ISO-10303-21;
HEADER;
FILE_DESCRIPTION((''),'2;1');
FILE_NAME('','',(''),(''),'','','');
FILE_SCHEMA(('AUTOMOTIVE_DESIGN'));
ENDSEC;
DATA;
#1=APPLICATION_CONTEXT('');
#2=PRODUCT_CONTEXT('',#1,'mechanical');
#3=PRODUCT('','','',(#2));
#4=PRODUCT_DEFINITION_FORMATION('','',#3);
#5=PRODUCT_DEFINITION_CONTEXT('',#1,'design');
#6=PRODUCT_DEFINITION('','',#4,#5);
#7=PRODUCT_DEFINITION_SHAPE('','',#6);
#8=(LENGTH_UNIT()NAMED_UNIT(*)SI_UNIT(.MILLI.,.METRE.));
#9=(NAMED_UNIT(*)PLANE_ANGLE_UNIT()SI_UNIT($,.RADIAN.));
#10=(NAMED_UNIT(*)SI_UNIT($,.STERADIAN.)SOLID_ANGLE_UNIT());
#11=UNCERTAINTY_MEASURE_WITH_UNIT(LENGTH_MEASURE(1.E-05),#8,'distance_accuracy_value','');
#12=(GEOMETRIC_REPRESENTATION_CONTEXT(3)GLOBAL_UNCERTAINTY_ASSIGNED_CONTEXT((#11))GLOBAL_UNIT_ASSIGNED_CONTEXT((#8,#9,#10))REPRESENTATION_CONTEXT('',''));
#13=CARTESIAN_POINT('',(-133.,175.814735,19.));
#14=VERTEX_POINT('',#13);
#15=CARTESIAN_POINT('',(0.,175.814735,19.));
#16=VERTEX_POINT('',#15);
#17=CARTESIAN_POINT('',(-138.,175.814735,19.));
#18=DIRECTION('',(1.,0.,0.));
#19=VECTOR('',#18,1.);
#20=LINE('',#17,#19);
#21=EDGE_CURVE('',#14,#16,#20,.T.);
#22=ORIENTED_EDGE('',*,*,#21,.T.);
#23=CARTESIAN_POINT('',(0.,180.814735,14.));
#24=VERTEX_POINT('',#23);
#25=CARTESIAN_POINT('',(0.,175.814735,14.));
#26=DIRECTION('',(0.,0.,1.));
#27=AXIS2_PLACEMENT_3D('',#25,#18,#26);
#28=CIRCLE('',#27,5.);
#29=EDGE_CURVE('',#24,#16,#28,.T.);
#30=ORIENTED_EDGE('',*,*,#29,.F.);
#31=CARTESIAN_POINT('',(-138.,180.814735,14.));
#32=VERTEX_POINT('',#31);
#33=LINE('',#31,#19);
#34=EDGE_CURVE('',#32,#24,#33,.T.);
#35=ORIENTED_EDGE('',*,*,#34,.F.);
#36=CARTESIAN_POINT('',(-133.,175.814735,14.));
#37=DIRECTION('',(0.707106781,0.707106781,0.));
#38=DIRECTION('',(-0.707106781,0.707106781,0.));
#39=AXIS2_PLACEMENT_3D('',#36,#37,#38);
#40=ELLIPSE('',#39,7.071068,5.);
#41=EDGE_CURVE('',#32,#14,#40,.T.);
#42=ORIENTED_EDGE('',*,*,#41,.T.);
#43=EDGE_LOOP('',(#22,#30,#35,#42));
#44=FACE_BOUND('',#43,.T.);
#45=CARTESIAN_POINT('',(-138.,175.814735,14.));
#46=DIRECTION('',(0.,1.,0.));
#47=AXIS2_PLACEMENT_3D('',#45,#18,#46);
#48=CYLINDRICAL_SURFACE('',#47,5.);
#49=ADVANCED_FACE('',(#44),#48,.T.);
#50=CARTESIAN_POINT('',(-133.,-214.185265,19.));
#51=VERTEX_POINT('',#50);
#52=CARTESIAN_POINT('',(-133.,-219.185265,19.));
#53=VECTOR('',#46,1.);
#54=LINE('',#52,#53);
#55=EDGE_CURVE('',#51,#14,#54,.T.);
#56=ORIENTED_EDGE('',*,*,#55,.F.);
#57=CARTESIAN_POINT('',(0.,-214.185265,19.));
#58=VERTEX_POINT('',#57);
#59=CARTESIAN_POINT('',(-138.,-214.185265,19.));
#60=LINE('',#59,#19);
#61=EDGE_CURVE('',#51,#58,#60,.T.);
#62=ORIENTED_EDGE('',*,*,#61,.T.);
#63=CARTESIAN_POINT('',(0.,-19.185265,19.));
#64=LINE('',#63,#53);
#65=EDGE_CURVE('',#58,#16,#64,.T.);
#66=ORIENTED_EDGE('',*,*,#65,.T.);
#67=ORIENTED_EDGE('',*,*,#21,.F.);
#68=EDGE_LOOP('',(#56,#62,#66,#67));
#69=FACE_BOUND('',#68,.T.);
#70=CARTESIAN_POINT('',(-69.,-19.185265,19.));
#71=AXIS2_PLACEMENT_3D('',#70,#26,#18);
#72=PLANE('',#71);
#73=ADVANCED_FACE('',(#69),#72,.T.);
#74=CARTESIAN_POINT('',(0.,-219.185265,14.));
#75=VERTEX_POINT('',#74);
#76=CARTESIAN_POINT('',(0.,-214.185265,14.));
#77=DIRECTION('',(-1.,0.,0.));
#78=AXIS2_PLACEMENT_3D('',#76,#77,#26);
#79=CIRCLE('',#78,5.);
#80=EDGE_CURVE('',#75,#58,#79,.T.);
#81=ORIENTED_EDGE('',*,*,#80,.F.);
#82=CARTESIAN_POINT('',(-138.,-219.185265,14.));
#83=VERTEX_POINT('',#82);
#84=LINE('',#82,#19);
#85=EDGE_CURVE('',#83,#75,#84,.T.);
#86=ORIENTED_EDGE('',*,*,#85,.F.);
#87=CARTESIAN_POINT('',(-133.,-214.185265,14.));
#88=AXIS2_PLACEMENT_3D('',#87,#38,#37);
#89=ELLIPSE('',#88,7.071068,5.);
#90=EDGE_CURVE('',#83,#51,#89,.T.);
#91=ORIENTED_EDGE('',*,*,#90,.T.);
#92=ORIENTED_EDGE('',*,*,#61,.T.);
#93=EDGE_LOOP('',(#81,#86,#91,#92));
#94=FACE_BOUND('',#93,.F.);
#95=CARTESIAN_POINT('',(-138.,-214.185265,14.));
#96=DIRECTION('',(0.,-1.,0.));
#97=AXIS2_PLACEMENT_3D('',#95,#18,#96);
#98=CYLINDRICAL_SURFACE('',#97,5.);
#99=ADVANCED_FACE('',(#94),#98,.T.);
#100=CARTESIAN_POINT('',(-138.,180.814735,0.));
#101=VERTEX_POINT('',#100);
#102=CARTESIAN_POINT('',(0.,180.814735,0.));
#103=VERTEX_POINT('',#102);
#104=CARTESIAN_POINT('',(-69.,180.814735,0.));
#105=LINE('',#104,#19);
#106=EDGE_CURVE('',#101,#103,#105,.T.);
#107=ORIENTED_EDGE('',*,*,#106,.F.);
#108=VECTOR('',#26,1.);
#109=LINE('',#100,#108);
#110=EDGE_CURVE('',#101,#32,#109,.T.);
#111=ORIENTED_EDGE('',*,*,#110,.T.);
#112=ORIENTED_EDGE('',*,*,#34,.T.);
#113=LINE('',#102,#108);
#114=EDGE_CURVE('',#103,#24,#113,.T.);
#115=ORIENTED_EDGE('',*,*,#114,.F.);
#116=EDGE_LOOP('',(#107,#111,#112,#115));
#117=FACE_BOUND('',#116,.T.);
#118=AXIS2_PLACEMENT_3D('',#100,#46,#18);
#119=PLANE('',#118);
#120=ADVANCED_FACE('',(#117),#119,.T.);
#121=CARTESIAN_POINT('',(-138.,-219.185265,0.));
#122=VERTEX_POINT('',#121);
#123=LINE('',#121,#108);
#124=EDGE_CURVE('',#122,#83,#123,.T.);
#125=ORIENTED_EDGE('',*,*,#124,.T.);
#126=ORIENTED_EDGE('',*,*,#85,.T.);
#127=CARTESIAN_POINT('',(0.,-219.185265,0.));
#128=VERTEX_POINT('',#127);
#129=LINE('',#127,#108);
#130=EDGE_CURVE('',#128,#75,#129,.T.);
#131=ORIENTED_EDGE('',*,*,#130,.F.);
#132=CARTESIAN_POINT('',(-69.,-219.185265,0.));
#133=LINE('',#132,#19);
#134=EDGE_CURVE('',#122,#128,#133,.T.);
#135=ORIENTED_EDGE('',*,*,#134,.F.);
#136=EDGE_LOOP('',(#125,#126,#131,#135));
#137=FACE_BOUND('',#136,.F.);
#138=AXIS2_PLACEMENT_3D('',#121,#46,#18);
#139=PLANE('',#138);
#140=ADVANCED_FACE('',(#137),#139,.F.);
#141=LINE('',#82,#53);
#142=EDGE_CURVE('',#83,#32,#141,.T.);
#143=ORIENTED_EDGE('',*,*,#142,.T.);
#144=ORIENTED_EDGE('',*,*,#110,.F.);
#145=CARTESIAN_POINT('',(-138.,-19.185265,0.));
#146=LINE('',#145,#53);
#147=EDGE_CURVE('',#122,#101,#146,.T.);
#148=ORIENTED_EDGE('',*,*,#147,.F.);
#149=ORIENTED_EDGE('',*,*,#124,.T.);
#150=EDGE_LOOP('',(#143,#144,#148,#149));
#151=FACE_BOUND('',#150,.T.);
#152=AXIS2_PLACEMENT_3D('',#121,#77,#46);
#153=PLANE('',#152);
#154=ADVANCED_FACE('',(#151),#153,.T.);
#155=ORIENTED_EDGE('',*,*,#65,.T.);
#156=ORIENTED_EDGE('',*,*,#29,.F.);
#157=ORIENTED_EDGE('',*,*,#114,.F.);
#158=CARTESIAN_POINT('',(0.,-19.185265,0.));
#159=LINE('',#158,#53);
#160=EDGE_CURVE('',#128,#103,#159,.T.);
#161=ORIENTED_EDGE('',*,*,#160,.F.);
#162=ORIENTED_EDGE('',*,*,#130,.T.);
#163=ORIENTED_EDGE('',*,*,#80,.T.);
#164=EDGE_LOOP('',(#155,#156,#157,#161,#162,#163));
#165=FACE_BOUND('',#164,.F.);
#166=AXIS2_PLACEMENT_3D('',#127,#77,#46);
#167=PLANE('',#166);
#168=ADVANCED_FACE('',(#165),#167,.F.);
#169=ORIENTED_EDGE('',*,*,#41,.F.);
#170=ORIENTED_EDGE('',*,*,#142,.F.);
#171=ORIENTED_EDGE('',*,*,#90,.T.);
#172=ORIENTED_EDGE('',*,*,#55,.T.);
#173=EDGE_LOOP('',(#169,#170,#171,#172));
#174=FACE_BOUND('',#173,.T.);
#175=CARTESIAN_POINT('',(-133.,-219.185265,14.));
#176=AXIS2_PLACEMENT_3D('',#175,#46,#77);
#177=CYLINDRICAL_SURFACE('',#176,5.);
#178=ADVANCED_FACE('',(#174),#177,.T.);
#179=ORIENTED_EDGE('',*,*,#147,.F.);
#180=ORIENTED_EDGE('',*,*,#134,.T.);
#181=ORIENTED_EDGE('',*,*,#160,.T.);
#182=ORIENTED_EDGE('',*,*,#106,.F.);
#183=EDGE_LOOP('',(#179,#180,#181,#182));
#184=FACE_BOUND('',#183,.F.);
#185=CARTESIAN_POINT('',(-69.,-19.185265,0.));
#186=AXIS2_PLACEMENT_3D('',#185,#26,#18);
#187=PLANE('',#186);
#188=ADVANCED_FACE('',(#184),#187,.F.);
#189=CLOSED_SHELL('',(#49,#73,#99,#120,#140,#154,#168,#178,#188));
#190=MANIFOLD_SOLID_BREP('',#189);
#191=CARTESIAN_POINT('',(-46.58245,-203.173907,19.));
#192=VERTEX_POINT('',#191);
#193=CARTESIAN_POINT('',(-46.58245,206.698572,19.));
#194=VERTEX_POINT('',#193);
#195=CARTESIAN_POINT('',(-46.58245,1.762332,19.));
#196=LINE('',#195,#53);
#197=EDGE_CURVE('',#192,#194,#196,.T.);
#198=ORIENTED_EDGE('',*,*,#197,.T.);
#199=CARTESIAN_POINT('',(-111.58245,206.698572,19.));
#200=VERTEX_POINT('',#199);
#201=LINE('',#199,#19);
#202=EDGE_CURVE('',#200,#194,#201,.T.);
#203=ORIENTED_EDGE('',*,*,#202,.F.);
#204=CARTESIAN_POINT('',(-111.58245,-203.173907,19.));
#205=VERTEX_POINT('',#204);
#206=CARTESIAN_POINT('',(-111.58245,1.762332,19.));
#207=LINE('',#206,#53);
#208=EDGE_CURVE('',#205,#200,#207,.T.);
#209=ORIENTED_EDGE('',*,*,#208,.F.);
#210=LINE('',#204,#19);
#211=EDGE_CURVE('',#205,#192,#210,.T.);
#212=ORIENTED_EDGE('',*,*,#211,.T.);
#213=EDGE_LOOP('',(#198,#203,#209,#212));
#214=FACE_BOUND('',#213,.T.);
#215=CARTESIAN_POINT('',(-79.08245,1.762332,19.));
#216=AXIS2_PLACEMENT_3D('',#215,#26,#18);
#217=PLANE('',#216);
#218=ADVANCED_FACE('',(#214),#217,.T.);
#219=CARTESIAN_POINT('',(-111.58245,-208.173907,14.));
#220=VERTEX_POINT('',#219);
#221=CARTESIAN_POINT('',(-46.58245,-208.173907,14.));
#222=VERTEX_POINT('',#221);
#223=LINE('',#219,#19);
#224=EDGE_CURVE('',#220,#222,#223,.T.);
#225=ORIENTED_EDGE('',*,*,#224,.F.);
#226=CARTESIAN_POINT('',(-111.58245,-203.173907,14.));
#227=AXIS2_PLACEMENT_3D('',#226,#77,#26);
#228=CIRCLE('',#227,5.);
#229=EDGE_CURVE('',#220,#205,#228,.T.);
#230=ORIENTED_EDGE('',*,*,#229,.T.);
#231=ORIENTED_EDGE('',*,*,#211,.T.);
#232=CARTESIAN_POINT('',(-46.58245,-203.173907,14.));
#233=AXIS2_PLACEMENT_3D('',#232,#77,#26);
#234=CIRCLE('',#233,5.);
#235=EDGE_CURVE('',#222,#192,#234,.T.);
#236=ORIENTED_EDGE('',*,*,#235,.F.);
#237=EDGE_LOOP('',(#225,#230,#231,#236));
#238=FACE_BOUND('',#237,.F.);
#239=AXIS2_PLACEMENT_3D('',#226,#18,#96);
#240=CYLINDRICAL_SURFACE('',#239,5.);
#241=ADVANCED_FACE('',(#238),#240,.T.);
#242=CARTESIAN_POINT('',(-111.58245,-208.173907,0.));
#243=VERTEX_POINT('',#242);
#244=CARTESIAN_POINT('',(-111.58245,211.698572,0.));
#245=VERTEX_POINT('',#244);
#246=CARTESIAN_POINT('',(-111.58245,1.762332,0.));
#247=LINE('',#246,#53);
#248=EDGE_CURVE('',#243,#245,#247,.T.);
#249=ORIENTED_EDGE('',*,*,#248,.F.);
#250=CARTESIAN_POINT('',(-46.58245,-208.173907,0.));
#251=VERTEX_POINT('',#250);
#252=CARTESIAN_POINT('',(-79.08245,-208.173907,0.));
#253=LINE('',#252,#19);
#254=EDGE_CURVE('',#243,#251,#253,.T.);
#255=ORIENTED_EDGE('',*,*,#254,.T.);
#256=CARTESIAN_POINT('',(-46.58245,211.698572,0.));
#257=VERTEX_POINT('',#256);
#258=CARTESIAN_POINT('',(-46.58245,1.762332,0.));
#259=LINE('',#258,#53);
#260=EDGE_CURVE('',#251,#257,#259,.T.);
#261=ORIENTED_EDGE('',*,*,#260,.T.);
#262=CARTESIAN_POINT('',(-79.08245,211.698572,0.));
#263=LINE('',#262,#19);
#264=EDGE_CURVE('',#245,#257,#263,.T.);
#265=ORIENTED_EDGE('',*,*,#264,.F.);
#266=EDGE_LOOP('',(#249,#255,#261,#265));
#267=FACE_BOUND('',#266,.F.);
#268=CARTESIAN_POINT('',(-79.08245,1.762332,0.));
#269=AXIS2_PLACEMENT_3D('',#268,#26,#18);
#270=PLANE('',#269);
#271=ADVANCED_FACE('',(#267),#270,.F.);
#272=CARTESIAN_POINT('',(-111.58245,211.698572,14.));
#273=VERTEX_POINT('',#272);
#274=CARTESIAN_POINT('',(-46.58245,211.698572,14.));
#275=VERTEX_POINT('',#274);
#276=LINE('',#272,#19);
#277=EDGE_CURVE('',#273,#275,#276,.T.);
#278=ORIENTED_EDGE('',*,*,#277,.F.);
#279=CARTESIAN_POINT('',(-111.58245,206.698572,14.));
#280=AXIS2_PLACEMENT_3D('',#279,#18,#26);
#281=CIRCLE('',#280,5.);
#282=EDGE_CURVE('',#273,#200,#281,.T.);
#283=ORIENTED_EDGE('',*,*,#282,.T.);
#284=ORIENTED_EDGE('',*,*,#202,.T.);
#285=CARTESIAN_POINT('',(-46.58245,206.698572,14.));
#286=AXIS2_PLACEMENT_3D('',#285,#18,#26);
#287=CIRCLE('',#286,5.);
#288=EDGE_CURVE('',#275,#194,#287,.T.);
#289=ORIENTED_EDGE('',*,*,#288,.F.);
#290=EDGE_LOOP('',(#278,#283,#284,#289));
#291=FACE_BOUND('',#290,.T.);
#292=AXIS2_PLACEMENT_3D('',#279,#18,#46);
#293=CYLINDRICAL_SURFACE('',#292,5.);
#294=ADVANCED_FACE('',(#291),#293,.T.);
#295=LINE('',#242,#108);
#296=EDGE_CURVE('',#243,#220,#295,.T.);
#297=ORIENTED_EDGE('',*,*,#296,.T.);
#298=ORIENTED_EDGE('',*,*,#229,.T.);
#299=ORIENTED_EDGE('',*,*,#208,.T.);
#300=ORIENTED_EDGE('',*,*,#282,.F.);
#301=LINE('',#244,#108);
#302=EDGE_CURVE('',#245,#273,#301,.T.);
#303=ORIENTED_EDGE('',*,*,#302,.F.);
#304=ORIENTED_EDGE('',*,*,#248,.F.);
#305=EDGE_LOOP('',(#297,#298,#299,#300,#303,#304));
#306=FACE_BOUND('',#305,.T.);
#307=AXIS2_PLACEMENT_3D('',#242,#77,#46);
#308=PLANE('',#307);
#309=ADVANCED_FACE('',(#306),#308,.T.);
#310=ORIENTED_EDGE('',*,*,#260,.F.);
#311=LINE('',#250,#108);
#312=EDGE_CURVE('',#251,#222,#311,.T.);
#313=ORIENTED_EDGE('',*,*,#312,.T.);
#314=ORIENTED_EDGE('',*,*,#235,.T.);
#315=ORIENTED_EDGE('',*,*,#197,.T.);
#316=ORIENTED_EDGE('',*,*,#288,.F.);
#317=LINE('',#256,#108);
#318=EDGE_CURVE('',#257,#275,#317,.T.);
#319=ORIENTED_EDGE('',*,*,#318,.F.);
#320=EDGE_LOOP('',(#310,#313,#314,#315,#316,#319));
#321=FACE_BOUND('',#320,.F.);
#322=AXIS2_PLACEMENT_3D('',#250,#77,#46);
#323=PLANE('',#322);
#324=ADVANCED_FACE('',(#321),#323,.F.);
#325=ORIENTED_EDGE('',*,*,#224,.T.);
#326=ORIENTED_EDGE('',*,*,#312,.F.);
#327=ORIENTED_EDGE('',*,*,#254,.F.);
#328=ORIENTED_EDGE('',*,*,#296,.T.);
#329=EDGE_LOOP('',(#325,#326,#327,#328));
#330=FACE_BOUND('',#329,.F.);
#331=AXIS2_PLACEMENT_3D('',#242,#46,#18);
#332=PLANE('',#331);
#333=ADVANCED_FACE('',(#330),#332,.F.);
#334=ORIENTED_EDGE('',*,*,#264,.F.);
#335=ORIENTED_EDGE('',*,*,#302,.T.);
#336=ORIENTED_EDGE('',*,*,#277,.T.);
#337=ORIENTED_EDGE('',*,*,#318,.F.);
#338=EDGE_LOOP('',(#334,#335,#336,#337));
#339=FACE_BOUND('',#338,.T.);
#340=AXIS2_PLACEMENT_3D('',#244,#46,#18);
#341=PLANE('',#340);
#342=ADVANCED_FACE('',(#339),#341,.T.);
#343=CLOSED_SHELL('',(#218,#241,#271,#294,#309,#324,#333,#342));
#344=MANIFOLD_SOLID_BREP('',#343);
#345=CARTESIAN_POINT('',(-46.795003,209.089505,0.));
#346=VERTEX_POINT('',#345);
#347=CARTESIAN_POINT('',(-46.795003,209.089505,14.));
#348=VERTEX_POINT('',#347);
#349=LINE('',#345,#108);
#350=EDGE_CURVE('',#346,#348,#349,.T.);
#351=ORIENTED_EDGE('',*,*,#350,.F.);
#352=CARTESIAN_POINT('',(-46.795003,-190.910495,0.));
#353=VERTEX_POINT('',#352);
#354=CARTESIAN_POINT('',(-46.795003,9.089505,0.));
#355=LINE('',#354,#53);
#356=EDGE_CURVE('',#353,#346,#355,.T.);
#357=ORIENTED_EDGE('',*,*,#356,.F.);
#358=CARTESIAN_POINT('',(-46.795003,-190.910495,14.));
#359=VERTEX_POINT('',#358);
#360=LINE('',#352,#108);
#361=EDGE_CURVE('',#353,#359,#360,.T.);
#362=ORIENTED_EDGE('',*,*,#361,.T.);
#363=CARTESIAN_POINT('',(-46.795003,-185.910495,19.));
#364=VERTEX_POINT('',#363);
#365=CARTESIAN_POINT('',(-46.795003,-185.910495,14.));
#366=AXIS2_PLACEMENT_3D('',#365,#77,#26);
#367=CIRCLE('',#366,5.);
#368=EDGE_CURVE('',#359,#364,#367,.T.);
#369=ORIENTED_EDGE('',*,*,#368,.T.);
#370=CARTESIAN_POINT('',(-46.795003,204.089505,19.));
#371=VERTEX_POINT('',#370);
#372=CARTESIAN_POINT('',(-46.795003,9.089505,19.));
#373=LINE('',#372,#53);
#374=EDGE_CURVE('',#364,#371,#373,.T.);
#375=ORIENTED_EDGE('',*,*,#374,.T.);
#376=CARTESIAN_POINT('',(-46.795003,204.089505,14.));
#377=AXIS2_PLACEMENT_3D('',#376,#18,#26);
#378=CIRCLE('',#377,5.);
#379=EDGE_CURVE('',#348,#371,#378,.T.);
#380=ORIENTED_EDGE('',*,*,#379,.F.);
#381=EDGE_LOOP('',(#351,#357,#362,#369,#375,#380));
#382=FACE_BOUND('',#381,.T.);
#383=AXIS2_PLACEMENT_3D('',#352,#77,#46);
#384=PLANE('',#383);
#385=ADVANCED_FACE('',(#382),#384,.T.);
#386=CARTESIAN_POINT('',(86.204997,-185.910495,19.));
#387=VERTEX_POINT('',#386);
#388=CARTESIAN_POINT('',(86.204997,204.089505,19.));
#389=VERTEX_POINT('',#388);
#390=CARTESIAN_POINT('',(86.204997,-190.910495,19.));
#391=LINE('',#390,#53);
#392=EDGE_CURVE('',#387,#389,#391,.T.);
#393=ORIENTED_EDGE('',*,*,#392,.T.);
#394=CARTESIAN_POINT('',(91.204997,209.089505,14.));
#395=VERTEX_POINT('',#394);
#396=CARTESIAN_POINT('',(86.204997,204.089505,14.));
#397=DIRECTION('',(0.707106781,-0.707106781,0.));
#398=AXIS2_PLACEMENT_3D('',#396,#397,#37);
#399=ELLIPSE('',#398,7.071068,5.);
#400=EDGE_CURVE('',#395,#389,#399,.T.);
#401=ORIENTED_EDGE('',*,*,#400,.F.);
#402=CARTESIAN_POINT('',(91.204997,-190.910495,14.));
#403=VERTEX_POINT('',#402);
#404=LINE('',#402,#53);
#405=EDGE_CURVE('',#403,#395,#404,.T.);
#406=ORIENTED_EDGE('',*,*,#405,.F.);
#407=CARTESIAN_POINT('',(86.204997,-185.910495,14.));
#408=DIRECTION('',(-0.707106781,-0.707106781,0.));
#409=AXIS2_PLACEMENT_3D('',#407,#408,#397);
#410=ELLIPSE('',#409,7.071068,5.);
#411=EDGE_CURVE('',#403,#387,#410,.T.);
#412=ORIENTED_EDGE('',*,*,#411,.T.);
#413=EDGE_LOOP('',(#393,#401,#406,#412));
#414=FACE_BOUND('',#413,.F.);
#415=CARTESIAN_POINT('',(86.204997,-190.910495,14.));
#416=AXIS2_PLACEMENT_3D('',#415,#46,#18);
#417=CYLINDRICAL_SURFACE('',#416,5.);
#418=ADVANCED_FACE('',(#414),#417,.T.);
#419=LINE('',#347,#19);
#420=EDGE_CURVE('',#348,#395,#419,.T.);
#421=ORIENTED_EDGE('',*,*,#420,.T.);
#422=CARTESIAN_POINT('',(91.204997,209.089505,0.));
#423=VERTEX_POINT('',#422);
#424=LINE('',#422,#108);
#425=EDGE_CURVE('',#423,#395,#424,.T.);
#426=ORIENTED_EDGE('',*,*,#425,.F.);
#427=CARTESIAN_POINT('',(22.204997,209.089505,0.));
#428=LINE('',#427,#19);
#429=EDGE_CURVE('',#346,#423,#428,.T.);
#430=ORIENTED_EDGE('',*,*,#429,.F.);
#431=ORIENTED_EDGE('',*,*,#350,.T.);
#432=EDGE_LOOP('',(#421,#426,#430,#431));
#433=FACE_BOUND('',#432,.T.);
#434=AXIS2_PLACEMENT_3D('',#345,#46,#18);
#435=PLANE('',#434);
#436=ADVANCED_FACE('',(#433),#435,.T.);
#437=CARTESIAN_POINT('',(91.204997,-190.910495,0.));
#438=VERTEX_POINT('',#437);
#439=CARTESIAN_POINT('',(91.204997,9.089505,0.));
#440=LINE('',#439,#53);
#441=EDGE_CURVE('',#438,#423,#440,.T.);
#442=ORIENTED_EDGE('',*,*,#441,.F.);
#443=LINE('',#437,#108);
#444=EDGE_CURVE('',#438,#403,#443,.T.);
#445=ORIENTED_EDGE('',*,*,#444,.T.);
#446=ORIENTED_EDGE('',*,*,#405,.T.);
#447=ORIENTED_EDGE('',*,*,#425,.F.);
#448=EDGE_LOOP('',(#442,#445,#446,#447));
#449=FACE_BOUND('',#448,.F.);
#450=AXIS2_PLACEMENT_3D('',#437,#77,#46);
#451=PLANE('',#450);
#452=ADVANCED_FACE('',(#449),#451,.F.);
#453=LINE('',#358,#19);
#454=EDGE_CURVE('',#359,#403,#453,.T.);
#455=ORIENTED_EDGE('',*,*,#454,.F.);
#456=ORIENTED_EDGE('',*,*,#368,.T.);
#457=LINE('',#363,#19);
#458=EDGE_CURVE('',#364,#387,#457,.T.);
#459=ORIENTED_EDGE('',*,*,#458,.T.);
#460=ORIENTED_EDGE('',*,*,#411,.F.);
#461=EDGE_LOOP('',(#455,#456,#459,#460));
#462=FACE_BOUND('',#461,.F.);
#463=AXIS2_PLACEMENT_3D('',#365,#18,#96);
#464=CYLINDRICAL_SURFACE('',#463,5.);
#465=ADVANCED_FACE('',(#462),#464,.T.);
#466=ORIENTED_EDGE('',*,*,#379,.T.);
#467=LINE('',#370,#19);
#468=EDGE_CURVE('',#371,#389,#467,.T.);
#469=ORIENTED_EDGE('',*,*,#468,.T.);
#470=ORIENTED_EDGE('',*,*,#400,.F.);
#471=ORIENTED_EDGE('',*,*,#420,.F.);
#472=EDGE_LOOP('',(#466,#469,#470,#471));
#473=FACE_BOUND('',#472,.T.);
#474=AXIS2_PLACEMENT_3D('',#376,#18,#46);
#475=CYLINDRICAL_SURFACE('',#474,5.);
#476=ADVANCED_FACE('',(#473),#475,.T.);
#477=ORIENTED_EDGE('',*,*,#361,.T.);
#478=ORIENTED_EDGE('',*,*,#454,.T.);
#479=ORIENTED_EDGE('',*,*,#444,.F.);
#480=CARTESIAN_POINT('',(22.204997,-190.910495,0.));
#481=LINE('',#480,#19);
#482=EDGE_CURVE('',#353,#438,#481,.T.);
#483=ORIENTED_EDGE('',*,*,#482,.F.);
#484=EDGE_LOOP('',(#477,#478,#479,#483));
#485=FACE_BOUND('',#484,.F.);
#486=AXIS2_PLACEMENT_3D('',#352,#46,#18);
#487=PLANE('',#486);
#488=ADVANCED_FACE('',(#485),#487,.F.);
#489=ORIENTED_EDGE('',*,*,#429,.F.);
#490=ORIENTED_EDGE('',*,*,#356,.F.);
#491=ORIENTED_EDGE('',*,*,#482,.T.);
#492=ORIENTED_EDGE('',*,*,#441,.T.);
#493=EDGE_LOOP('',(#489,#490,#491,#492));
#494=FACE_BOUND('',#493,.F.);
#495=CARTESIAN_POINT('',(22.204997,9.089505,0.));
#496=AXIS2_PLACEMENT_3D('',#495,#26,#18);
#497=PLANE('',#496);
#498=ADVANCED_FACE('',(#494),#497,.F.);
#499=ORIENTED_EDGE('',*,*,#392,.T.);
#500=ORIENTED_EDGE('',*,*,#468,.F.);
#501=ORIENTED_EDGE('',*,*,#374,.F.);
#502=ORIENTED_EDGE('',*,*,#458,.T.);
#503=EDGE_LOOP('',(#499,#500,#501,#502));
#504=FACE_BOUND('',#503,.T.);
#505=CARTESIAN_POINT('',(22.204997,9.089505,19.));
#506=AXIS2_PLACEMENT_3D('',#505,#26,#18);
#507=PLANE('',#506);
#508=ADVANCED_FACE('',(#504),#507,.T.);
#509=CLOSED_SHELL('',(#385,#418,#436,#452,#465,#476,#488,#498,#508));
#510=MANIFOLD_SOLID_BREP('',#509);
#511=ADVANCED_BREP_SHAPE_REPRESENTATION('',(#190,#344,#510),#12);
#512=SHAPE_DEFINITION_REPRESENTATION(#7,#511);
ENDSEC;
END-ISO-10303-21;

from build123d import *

# Parameters (mm, degrees)
F2_W     = 138
F2_H     = 400
F3_DEPTH = 19
F0_W     = 65
F0_H     = 419.8724787245
F1_W     = 138
F1_H     = 400
F4_R     = 5
F4_2_R   = 5
F4_3_R   = 5


with BuildPart() as f3:
    # F2 (on Top) → F3 (new body)
    with BuildSketch(Plane.XY):
        with Locations((22.204997018, 9.0895046223)):
            Rectangle(F2_W, F2_H)
    extrude(amount=F3_DEPTH)

    # F4#3
    f4_3_edges = [f3.edges().sort_by_distance(p)[0] for p in [
        (22.204997, -190.910495, 19),
        (91.204997, 9.089505, 19),
        (22.204997, 209.089505, 19),
    ]]
    fillet(f4_3_edges, radius=F4_3_R)


with BuildPart() as f3b:
    # F0 (on Top) → F3, piece 2 (new body)
    with BuildSketch(Plane.XY):
        with Locations((-79.0824504346, 1.7623323947)):
            Rectangle(F0_W, F0_H)
    extrude(amount=F3_DEPTH)

    # F4#2
    f4_2_edges = [f3b.edges().sort_by_distance(p)[0] for p in [
        (-79.08245, -208.173907, 19),
        (-79.08245, 211.698572, 19),
    ]]
    fillet(f4_2_edges, radius=F4_2_R)


with BuildPart() as f3c:
    # F1 (on Top) → F3, piece 3 (new body)
    with BuildSketch(Plane.XY):
        with Locations((-69, -19.1852647855)):
            Rectangle(F1_W, F1_H)
    extrude(amount=F3_DEPTH)

    # F4
    f4_edges = [f3c.edges().sort_by_distance(p)[0] for p in [
        (-138, -19.185265, 19),
        (-69, -219.185265, 19),
        (-69, 180.814735, 19),
    ]]
    fillet(f4_edges, radius=F4_R)


solid = Compound([f3.part, f3b.part, f3c.part])
